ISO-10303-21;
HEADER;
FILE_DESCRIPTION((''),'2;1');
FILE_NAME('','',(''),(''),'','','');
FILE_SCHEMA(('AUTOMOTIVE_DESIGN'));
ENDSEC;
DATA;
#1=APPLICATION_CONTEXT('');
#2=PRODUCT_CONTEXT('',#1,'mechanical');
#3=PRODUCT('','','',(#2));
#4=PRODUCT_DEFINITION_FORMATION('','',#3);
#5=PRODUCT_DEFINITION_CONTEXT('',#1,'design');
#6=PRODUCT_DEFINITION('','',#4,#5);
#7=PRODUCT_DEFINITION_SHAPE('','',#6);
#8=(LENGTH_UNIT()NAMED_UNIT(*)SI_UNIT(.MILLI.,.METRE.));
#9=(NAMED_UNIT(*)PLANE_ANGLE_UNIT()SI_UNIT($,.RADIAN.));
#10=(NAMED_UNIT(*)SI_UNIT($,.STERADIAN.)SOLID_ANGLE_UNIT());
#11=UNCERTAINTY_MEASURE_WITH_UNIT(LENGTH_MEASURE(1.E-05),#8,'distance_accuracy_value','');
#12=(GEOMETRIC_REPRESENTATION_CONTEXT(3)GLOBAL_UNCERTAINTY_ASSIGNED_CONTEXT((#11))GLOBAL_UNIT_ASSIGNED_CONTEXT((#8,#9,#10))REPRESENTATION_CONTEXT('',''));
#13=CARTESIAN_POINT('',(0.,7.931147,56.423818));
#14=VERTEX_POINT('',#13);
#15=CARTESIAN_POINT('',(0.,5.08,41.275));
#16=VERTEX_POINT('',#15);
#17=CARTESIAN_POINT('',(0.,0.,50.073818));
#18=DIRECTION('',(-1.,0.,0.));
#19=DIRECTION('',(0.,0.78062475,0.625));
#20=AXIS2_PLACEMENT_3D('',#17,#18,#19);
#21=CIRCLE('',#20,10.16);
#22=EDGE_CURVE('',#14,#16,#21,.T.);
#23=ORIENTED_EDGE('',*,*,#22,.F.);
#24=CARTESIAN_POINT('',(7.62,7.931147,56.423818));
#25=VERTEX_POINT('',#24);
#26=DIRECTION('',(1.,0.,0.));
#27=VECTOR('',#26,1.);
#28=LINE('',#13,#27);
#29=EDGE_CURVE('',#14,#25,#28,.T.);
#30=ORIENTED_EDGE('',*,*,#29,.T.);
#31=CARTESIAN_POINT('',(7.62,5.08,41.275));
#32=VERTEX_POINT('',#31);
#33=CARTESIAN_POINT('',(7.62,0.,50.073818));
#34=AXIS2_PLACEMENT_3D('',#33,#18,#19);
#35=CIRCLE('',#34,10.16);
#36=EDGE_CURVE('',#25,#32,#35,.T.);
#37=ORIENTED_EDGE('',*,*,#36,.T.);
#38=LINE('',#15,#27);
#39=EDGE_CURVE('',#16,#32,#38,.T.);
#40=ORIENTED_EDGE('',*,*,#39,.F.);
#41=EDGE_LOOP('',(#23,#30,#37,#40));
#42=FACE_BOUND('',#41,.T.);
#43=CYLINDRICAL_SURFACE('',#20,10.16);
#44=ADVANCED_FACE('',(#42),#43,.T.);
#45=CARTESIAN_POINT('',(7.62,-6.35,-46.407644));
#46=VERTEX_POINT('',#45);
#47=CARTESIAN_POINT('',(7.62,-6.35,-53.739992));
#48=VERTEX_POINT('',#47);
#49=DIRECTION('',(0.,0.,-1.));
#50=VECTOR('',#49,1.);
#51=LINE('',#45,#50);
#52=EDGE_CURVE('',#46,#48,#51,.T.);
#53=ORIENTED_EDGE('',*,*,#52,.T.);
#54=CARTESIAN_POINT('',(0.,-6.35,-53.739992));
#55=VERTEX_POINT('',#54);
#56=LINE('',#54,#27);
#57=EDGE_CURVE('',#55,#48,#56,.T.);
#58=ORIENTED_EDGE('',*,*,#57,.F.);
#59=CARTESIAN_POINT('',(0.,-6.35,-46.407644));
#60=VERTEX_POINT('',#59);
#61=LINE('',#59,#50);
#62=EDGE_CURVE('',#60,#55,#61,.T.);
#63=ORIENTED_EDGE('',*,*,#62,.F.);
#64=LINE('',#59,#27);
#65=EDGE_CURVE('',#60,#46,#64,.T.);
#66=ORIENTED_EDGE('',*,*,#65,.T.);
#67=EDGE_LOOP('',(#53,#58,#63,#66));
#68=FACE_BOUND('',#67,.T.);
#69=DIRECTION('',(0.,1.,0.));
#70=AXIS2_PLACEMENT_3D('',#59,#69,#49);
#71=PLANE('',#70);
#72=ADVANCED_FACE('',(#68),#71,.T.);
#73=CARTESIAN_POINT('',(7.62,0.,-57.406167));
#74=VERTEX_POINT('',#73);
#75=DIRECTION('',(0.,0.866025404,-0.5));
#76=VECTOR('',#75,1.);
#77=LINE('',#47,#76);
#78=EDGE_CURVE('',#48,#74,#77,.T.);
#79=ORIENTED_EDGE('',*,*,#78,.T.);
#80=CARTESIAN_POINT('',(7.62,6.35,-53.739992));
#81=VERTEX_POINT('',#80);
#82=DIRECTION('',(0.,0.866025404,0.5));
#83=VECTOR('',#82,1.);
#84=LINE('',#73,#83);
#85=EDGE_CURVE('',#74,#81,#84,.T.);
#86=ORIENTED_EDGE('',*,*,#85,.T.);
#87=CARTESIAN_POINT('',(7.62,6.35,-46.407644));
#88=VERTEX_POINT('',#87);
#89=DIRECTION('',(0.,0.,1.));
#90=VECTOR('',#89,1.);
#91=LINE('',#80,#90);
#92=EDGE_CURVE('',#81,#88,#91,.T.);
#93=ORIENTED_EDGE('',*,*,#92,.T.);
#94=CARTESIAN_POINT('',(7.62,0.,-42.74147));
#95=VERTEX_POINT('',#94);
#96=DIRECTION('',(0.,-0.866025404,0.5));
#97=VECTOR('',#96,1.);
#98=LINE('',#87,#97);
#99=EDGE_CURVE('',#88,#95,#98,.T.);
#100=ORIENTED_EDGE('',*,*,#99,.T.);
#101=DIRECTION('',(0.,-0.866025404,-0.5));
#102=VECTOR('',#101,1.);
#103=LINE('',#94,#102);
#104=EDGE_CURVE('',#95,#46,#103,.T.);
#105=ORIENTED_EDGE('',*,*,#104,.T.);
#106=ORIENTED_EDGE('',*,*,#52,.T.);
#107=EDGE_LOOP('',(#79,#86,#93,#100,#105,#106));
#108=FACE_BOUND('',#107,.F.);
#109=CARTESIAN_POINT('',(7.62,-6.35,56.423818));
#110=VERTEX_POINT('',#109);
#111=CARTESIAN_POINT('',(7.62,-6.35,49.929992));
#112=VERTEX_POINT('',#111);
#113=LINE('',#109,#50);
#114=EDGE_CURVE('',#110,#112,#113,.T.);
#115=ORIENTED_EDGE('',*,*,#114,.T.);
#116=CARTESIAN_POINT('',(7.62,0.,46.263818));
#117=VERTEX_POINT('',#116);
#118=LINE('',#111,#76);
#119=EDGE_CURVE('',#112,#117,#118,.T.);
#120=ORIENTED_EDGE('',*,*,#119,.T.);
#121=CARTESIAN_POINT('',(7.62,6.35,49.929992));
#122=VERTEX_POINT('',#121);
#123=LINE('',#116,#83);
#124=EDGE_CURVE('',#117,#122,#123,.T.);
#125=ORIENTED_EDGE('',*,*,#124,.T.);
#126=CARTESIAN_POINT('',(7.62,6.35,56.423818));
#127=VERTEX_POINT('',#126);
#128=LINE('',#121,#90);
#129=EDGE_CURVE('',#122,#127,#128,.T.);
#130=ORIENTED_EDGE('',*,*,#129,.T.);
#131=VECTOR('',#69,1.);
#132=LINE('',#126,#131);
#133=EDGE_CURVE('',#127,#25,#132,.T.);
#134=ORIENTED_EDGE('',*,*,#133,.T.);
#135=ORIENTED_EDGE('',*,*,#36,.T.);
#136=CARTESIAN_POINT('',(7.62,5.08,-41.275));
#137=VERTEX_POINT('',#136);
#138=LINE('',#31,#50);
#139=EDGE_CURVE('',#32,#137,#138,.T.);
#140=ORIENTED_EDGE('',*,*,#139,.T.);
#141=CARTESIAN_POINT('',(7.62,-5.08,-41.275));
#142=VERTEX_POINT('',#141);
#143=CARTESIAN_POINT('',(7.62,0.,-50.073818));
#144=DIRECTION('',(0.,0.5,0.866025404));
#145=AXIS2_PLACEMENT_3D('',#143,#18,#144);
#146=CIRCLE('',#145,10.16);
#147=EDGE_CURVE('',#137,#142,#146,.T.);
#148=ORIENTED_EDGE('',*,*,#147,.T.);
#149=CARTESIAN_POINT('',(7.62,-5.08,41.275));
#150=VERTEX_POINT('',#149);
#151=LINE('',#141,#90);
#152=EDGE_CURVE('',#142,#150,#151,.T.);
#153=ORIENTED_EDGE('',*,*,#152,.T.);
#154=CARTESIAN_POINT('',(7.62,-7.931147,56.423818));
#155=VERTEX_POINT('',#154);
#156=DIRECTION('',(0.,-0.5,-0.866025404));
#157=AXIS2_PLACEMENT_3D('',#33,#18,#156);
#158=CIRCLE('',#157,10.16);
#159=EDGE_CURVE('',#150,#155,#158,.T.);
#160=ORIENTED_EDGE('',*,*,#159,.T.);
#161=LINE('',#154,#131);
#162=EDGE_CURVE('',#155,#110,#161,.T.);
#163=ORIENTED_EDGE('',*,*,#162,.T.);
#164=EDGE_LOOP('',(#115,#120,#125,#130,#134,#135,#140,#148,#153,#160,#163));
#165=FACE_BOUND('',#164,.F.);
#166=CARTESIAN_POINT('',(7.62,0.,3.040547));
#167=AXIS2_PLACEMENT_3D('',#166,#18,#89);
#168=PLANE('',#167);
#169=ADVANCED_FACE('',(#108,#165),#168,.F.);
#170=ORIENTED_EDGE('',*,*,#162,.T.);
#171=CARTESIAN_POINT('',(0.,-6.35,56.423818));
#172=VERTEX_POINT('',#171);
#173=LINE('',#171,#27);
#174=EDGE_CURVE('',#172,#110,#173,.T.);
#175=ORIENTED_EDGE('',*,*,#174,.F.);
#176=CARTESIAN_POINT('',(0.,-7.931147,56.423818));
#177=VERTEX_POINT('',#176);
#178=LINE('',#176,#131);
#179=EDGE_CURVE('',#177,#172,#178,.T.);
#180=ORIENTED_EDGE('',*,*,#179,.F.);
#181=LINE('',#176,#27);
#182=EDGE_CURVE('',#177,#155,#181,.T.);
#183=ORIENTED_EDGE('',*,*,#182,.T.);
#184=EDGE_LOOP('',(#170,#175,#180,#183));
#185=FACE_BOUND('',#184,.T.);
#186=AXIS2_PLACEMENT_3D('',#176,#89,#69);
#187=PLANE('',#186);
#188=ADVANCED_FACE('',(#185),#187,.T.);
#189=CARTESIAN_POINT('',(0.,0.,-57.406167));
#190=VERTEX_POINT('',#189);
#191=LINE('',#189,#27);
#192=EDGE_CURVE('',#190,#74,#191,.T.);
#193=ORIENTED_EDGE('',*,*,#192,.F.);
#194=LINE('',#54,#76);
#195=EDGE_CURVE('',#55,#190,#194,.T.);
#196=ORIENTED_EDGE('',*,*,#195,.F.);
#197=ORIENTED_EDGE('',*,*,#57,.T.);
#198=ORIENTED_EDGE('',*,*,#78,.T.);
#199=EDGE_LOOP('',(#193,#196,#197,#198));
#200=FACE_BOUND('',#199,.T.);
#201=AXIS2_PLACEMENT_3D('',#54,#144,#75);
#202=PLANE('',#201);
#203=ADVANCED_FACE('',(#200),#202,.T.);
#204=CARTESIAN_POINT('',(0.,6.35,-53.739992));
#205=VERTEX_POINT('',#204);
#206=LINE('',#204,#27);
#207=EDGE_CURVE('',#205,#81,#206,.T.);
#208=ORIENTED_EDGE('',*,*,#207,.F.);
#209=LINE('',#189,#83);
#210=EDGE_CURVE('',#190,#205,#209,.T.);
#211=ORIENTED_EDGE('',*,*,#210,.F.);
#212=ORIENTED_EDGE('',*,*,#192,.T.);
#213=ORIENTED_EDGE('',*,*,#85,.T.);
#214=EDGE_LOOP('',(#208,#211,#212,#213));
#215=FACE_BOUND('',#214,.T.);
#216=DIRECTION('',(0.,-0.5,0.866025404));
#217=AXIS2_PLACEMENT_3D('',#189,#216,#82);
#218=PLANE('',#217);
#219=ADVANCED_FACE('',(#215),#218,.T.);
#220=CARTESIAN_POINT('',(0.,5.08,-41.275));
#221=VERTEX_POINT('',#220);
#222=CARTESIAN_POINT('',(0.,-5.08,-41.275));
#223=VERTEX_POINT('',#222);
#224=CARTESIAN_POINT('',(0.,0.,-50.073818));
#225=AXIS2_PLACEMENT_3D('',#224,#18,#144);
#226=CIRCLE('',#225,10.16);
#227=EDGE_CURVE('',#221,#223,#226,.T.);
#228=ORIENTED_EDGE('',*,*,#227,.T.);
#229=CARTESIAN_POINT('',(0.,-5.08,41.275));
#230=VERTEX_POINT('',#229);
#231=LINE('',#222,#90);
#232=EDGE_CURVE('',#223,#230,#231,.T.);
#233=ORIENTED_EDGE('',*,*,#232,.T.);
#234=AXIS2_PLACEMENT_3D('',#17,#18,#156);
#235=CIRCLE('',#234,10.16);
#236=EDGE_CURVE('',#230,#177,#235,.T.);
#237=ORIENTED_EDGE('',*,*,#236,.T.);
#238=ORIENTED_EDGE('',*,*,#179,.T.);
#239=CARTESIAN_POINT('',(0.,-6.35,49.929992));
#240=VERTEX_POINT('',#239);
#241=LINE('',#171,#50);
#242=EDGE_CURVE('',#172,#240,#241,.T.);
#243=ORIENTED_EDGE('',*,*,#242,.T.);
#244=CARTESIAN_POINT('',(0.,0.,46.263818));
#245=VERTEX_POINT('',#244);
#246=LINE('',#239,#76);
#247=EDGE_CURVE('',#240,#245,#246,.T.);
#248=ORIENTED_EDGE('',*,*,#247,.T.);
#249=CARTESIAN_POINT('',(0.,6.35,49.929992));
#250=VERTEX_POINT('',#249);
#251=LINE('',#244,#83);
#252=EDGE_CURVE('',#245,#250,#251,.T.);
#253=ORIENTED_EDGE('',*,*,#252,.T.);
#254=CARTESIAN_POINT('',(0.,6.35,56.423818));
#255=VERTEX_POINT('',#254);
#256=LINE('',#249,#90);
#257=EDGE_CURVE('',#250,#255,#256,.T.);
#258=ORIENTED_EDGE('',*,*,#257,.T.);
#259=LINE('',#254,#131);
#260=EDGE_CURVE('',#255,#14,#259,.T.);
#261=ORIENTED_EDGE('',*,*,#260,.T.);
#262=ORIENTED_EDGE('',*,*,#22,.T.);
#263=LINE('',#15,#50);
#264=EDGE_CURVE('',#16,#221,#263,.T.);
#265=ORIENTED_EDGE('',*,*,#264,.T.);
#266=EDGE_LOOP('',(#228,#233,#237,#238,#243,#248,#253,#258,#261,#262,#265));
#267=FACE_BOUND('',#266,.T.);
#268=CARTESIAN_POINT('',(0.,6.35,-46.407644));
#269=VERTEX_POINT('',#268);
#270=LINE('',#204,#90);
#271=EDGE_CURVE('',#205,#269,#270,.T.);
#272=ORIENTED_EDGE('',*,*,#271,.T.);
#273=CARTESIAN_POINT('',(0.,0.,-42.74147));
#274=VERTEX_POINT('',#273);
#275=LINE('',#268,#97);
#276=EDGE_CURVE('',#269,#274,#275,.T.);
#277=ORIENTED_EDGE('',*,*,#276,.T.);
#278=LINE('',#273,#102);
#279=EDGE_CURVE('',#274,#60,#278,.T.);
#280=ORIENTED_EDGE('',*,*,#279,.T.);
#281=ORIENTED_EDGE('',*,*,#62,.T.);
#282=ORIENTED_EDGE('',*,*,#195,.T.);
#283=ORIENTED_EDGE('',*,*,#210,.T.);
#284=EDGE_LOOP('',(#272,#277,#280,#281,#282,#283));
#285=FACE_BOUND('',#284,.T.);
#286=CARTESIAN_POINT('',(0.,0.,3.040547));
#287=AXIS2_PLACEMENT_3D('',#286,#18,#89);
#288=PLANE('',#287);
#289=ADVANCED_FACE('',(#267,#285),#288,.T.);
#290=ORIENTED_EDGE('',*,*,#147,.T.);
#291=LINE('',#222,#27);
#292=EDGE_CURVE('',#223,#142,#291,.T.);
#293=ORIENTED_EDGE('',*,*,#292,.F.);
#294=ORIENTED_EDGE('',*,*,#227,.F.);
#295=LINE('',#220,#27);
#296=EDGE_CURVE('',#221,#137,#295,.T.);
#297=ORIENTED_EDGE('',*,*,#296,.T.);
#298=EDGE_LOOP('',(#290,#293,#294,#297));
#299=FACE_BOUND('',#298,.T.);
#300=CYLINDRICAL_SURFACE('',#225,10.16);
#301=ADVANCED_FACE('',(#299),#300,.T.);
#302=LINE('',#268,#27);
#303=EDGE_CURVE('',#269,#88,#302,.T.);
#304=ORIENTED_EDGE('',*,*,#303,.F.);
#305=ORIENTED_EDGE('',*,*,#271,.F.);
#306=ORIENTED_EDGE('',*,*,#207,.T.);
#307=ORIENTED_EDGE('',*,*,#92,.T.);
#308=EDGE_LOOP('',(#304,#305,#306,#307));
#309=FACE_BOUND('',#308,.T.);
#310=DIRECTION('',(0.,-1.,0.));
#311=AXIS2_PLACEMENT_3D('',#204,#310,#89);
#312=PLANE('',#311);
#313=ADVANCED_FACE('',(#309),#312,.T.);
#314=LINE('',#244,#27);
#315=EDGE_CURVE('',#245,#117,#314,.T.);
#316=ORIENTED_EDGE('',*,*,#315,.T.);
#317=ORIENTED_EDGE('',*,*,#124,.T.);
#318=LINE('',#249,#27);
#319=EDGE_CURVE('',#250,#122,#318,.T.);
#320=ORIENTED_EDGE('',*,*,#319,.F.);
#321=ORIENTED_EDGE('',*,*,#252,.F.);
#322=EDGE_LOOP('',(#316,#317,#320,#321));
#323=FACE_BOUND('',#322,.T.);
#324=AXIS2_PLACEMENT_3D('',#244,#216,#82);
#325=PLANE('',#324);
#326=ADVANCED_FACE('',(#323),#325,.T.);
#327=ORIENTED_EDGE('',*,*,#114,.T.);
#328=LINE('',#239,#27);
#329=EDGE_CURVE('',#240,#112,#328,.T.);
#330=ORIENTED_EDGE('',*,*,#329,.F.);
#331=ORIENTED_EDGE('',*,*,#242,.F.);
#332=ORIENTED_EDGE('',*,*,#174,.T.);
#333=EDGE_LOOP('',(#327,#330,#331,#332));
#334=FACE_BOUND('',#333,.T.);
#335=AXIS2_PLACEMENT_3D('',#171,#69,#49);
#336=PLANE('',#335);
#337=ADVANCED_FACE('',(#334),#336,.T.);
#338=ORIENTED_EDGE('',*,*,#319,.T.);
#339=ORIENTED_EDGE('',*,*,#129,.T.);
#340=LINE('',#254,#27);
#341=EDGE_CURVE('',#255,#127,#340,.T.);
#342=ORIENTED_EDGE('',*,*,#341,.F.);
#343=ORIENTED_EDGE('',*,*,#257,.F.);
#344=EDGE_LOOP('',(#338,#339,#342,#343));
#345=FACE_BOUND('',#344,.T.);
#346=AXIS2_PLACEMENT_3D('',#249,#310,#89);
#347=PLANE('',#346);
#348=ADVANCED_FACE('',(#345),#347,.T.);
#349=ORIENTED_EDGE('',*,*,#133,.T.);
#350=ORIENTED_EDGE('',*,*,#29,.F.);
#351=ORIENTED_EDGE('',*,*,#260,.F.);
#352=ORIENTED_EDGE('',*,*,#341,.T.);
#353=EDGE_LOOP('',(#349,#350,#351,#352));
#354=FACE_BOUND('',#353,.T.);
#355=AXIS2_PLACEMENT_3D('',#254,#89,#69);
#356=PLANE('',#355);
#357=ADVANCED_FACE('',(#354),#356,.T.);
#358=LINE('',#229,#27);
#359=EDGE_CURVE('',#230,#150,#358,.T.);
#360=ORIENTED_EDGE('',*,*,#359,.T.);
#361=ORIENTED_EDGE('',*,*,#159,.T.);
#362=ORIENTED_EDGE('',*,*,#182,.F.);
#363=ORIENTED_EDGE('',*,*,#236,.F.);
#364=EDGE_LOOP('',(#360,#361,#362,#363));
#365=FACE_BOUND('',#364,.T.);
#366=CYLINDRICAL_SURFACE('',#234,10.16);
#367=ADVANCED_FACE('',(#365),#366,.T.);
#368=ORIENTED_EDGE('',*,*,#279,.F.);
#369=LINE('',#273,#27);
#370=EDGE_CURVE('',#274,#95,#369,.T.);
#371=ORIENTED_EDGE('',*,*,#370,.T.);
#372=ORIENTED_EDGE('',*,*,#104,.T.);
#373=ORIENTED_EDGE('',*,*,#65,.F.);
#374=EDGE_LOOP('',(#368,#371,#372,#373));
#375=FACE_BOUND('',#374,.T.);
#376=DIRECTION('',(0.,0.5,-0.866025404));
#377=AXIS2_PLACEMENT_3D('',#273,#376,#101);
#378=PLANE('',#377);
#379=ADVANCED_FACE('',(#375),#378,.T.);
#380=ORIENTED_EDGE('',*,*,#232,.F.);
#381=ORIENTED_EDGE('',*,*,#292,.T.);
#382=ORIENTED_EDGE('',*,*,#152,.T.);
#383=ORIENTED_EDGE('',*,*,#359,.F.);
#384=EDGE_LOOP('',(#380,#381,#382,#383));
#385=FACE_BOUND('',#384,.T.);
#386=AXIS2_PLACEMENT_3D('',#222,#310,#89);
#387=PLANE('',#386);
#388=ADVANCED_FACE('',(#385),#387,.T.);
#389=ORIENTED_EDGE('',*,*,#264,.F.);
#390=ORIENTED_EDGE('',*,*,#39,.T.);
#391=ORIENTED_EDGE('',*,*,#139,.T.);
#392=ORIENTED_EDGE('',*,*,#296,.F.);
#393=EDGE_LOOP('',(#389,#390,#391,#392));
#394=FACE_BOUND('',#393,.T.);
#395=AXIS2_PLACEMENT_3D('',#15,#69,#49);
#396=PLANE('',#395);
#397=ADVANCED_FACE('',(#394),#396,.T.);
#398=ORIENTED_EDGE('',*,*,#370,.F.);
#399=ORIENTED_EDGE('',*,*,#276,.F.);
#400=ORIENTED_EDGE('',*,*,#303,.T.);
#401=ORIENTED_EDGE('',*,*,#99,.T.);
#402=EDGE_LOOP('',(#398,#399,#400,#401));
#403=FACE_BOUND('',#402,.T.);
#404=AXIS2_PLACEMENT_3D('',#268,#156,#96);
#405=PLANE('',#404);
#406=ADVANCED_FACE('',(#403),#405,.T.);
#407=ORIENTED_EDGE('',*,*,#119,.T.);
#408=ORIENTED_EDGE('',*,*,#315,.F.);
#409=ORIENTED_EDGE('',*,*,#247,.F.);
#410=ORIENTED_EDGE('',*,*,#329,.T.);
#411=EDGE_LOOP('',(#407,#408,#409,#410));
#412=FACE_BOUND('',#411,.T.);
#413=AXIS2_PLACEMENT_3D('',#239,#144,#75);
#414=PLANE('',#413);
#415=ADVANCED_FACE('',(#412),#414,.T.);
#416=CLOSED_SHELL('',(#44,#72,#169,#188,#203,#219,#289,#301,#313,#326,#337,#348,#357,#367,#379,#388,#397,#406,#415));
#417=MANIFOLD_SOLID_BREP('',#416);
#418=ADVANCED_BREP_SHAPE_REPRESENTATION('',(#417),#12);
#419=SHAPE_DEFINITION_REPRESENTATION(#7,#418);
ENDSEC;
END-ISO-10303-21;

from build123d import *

# Parameters (mm, degrees)
BOSS_EXTRUDE1_DEPTH = 7.62


with BuildPart() as part:
    # Sketch1 → Boss-Extrude1 (new body)
    with BuildSketch(Plane(origin=(0, 0, 0), x_dir=(0, 0, -1), z_dir=(1, 0, 0))):
        with BuildLine():
            Line((-41.275, 5.08), (41.275, 5.08))
            ThreePointArc((41.275, 5.08), (60.233818102, 0), (41.275, -5.08))
            Line((41.275, -5.08), (-41.275, -5.08))
            ThreePointArc((-41.275, -5.08), (-48.194606038, -9.984696391), (-56.423818102, -7.931147458))
            Line((-56.423818102, -7.931147458), (-56.423818102, -6.35))
            Line((-56.423818102, -6.35), (-49.929992312, -6.35))
            Line((-49.929992312, -6.35), (-46.263818102, 0))
            Line((-46.263818102, 0), (-49.929992312, 6.35))
            Line((-49.929992312, 6.35), (-56.423818102, 6.35))
            Line((-56.423818102, 6.35), (-56.423818102, 7.931147458))
            ThreePointArc((-56.423818102, 7.931147458), (-48.194606038, 9.984696391), (-41.275, 5.08))
        make_face()
        Polygon((57.406166521, 0), (53.739992312, 6.35), (46.407643893, 6.35), (42.741469684, 0), (46.407643893, -6.35), (53.739992312, -6.35), align=None, mode=Mode.SUBTRACT)
    extrude(amount=BOSS_EXTRUDE1_DEPTH)


solid = part.part
